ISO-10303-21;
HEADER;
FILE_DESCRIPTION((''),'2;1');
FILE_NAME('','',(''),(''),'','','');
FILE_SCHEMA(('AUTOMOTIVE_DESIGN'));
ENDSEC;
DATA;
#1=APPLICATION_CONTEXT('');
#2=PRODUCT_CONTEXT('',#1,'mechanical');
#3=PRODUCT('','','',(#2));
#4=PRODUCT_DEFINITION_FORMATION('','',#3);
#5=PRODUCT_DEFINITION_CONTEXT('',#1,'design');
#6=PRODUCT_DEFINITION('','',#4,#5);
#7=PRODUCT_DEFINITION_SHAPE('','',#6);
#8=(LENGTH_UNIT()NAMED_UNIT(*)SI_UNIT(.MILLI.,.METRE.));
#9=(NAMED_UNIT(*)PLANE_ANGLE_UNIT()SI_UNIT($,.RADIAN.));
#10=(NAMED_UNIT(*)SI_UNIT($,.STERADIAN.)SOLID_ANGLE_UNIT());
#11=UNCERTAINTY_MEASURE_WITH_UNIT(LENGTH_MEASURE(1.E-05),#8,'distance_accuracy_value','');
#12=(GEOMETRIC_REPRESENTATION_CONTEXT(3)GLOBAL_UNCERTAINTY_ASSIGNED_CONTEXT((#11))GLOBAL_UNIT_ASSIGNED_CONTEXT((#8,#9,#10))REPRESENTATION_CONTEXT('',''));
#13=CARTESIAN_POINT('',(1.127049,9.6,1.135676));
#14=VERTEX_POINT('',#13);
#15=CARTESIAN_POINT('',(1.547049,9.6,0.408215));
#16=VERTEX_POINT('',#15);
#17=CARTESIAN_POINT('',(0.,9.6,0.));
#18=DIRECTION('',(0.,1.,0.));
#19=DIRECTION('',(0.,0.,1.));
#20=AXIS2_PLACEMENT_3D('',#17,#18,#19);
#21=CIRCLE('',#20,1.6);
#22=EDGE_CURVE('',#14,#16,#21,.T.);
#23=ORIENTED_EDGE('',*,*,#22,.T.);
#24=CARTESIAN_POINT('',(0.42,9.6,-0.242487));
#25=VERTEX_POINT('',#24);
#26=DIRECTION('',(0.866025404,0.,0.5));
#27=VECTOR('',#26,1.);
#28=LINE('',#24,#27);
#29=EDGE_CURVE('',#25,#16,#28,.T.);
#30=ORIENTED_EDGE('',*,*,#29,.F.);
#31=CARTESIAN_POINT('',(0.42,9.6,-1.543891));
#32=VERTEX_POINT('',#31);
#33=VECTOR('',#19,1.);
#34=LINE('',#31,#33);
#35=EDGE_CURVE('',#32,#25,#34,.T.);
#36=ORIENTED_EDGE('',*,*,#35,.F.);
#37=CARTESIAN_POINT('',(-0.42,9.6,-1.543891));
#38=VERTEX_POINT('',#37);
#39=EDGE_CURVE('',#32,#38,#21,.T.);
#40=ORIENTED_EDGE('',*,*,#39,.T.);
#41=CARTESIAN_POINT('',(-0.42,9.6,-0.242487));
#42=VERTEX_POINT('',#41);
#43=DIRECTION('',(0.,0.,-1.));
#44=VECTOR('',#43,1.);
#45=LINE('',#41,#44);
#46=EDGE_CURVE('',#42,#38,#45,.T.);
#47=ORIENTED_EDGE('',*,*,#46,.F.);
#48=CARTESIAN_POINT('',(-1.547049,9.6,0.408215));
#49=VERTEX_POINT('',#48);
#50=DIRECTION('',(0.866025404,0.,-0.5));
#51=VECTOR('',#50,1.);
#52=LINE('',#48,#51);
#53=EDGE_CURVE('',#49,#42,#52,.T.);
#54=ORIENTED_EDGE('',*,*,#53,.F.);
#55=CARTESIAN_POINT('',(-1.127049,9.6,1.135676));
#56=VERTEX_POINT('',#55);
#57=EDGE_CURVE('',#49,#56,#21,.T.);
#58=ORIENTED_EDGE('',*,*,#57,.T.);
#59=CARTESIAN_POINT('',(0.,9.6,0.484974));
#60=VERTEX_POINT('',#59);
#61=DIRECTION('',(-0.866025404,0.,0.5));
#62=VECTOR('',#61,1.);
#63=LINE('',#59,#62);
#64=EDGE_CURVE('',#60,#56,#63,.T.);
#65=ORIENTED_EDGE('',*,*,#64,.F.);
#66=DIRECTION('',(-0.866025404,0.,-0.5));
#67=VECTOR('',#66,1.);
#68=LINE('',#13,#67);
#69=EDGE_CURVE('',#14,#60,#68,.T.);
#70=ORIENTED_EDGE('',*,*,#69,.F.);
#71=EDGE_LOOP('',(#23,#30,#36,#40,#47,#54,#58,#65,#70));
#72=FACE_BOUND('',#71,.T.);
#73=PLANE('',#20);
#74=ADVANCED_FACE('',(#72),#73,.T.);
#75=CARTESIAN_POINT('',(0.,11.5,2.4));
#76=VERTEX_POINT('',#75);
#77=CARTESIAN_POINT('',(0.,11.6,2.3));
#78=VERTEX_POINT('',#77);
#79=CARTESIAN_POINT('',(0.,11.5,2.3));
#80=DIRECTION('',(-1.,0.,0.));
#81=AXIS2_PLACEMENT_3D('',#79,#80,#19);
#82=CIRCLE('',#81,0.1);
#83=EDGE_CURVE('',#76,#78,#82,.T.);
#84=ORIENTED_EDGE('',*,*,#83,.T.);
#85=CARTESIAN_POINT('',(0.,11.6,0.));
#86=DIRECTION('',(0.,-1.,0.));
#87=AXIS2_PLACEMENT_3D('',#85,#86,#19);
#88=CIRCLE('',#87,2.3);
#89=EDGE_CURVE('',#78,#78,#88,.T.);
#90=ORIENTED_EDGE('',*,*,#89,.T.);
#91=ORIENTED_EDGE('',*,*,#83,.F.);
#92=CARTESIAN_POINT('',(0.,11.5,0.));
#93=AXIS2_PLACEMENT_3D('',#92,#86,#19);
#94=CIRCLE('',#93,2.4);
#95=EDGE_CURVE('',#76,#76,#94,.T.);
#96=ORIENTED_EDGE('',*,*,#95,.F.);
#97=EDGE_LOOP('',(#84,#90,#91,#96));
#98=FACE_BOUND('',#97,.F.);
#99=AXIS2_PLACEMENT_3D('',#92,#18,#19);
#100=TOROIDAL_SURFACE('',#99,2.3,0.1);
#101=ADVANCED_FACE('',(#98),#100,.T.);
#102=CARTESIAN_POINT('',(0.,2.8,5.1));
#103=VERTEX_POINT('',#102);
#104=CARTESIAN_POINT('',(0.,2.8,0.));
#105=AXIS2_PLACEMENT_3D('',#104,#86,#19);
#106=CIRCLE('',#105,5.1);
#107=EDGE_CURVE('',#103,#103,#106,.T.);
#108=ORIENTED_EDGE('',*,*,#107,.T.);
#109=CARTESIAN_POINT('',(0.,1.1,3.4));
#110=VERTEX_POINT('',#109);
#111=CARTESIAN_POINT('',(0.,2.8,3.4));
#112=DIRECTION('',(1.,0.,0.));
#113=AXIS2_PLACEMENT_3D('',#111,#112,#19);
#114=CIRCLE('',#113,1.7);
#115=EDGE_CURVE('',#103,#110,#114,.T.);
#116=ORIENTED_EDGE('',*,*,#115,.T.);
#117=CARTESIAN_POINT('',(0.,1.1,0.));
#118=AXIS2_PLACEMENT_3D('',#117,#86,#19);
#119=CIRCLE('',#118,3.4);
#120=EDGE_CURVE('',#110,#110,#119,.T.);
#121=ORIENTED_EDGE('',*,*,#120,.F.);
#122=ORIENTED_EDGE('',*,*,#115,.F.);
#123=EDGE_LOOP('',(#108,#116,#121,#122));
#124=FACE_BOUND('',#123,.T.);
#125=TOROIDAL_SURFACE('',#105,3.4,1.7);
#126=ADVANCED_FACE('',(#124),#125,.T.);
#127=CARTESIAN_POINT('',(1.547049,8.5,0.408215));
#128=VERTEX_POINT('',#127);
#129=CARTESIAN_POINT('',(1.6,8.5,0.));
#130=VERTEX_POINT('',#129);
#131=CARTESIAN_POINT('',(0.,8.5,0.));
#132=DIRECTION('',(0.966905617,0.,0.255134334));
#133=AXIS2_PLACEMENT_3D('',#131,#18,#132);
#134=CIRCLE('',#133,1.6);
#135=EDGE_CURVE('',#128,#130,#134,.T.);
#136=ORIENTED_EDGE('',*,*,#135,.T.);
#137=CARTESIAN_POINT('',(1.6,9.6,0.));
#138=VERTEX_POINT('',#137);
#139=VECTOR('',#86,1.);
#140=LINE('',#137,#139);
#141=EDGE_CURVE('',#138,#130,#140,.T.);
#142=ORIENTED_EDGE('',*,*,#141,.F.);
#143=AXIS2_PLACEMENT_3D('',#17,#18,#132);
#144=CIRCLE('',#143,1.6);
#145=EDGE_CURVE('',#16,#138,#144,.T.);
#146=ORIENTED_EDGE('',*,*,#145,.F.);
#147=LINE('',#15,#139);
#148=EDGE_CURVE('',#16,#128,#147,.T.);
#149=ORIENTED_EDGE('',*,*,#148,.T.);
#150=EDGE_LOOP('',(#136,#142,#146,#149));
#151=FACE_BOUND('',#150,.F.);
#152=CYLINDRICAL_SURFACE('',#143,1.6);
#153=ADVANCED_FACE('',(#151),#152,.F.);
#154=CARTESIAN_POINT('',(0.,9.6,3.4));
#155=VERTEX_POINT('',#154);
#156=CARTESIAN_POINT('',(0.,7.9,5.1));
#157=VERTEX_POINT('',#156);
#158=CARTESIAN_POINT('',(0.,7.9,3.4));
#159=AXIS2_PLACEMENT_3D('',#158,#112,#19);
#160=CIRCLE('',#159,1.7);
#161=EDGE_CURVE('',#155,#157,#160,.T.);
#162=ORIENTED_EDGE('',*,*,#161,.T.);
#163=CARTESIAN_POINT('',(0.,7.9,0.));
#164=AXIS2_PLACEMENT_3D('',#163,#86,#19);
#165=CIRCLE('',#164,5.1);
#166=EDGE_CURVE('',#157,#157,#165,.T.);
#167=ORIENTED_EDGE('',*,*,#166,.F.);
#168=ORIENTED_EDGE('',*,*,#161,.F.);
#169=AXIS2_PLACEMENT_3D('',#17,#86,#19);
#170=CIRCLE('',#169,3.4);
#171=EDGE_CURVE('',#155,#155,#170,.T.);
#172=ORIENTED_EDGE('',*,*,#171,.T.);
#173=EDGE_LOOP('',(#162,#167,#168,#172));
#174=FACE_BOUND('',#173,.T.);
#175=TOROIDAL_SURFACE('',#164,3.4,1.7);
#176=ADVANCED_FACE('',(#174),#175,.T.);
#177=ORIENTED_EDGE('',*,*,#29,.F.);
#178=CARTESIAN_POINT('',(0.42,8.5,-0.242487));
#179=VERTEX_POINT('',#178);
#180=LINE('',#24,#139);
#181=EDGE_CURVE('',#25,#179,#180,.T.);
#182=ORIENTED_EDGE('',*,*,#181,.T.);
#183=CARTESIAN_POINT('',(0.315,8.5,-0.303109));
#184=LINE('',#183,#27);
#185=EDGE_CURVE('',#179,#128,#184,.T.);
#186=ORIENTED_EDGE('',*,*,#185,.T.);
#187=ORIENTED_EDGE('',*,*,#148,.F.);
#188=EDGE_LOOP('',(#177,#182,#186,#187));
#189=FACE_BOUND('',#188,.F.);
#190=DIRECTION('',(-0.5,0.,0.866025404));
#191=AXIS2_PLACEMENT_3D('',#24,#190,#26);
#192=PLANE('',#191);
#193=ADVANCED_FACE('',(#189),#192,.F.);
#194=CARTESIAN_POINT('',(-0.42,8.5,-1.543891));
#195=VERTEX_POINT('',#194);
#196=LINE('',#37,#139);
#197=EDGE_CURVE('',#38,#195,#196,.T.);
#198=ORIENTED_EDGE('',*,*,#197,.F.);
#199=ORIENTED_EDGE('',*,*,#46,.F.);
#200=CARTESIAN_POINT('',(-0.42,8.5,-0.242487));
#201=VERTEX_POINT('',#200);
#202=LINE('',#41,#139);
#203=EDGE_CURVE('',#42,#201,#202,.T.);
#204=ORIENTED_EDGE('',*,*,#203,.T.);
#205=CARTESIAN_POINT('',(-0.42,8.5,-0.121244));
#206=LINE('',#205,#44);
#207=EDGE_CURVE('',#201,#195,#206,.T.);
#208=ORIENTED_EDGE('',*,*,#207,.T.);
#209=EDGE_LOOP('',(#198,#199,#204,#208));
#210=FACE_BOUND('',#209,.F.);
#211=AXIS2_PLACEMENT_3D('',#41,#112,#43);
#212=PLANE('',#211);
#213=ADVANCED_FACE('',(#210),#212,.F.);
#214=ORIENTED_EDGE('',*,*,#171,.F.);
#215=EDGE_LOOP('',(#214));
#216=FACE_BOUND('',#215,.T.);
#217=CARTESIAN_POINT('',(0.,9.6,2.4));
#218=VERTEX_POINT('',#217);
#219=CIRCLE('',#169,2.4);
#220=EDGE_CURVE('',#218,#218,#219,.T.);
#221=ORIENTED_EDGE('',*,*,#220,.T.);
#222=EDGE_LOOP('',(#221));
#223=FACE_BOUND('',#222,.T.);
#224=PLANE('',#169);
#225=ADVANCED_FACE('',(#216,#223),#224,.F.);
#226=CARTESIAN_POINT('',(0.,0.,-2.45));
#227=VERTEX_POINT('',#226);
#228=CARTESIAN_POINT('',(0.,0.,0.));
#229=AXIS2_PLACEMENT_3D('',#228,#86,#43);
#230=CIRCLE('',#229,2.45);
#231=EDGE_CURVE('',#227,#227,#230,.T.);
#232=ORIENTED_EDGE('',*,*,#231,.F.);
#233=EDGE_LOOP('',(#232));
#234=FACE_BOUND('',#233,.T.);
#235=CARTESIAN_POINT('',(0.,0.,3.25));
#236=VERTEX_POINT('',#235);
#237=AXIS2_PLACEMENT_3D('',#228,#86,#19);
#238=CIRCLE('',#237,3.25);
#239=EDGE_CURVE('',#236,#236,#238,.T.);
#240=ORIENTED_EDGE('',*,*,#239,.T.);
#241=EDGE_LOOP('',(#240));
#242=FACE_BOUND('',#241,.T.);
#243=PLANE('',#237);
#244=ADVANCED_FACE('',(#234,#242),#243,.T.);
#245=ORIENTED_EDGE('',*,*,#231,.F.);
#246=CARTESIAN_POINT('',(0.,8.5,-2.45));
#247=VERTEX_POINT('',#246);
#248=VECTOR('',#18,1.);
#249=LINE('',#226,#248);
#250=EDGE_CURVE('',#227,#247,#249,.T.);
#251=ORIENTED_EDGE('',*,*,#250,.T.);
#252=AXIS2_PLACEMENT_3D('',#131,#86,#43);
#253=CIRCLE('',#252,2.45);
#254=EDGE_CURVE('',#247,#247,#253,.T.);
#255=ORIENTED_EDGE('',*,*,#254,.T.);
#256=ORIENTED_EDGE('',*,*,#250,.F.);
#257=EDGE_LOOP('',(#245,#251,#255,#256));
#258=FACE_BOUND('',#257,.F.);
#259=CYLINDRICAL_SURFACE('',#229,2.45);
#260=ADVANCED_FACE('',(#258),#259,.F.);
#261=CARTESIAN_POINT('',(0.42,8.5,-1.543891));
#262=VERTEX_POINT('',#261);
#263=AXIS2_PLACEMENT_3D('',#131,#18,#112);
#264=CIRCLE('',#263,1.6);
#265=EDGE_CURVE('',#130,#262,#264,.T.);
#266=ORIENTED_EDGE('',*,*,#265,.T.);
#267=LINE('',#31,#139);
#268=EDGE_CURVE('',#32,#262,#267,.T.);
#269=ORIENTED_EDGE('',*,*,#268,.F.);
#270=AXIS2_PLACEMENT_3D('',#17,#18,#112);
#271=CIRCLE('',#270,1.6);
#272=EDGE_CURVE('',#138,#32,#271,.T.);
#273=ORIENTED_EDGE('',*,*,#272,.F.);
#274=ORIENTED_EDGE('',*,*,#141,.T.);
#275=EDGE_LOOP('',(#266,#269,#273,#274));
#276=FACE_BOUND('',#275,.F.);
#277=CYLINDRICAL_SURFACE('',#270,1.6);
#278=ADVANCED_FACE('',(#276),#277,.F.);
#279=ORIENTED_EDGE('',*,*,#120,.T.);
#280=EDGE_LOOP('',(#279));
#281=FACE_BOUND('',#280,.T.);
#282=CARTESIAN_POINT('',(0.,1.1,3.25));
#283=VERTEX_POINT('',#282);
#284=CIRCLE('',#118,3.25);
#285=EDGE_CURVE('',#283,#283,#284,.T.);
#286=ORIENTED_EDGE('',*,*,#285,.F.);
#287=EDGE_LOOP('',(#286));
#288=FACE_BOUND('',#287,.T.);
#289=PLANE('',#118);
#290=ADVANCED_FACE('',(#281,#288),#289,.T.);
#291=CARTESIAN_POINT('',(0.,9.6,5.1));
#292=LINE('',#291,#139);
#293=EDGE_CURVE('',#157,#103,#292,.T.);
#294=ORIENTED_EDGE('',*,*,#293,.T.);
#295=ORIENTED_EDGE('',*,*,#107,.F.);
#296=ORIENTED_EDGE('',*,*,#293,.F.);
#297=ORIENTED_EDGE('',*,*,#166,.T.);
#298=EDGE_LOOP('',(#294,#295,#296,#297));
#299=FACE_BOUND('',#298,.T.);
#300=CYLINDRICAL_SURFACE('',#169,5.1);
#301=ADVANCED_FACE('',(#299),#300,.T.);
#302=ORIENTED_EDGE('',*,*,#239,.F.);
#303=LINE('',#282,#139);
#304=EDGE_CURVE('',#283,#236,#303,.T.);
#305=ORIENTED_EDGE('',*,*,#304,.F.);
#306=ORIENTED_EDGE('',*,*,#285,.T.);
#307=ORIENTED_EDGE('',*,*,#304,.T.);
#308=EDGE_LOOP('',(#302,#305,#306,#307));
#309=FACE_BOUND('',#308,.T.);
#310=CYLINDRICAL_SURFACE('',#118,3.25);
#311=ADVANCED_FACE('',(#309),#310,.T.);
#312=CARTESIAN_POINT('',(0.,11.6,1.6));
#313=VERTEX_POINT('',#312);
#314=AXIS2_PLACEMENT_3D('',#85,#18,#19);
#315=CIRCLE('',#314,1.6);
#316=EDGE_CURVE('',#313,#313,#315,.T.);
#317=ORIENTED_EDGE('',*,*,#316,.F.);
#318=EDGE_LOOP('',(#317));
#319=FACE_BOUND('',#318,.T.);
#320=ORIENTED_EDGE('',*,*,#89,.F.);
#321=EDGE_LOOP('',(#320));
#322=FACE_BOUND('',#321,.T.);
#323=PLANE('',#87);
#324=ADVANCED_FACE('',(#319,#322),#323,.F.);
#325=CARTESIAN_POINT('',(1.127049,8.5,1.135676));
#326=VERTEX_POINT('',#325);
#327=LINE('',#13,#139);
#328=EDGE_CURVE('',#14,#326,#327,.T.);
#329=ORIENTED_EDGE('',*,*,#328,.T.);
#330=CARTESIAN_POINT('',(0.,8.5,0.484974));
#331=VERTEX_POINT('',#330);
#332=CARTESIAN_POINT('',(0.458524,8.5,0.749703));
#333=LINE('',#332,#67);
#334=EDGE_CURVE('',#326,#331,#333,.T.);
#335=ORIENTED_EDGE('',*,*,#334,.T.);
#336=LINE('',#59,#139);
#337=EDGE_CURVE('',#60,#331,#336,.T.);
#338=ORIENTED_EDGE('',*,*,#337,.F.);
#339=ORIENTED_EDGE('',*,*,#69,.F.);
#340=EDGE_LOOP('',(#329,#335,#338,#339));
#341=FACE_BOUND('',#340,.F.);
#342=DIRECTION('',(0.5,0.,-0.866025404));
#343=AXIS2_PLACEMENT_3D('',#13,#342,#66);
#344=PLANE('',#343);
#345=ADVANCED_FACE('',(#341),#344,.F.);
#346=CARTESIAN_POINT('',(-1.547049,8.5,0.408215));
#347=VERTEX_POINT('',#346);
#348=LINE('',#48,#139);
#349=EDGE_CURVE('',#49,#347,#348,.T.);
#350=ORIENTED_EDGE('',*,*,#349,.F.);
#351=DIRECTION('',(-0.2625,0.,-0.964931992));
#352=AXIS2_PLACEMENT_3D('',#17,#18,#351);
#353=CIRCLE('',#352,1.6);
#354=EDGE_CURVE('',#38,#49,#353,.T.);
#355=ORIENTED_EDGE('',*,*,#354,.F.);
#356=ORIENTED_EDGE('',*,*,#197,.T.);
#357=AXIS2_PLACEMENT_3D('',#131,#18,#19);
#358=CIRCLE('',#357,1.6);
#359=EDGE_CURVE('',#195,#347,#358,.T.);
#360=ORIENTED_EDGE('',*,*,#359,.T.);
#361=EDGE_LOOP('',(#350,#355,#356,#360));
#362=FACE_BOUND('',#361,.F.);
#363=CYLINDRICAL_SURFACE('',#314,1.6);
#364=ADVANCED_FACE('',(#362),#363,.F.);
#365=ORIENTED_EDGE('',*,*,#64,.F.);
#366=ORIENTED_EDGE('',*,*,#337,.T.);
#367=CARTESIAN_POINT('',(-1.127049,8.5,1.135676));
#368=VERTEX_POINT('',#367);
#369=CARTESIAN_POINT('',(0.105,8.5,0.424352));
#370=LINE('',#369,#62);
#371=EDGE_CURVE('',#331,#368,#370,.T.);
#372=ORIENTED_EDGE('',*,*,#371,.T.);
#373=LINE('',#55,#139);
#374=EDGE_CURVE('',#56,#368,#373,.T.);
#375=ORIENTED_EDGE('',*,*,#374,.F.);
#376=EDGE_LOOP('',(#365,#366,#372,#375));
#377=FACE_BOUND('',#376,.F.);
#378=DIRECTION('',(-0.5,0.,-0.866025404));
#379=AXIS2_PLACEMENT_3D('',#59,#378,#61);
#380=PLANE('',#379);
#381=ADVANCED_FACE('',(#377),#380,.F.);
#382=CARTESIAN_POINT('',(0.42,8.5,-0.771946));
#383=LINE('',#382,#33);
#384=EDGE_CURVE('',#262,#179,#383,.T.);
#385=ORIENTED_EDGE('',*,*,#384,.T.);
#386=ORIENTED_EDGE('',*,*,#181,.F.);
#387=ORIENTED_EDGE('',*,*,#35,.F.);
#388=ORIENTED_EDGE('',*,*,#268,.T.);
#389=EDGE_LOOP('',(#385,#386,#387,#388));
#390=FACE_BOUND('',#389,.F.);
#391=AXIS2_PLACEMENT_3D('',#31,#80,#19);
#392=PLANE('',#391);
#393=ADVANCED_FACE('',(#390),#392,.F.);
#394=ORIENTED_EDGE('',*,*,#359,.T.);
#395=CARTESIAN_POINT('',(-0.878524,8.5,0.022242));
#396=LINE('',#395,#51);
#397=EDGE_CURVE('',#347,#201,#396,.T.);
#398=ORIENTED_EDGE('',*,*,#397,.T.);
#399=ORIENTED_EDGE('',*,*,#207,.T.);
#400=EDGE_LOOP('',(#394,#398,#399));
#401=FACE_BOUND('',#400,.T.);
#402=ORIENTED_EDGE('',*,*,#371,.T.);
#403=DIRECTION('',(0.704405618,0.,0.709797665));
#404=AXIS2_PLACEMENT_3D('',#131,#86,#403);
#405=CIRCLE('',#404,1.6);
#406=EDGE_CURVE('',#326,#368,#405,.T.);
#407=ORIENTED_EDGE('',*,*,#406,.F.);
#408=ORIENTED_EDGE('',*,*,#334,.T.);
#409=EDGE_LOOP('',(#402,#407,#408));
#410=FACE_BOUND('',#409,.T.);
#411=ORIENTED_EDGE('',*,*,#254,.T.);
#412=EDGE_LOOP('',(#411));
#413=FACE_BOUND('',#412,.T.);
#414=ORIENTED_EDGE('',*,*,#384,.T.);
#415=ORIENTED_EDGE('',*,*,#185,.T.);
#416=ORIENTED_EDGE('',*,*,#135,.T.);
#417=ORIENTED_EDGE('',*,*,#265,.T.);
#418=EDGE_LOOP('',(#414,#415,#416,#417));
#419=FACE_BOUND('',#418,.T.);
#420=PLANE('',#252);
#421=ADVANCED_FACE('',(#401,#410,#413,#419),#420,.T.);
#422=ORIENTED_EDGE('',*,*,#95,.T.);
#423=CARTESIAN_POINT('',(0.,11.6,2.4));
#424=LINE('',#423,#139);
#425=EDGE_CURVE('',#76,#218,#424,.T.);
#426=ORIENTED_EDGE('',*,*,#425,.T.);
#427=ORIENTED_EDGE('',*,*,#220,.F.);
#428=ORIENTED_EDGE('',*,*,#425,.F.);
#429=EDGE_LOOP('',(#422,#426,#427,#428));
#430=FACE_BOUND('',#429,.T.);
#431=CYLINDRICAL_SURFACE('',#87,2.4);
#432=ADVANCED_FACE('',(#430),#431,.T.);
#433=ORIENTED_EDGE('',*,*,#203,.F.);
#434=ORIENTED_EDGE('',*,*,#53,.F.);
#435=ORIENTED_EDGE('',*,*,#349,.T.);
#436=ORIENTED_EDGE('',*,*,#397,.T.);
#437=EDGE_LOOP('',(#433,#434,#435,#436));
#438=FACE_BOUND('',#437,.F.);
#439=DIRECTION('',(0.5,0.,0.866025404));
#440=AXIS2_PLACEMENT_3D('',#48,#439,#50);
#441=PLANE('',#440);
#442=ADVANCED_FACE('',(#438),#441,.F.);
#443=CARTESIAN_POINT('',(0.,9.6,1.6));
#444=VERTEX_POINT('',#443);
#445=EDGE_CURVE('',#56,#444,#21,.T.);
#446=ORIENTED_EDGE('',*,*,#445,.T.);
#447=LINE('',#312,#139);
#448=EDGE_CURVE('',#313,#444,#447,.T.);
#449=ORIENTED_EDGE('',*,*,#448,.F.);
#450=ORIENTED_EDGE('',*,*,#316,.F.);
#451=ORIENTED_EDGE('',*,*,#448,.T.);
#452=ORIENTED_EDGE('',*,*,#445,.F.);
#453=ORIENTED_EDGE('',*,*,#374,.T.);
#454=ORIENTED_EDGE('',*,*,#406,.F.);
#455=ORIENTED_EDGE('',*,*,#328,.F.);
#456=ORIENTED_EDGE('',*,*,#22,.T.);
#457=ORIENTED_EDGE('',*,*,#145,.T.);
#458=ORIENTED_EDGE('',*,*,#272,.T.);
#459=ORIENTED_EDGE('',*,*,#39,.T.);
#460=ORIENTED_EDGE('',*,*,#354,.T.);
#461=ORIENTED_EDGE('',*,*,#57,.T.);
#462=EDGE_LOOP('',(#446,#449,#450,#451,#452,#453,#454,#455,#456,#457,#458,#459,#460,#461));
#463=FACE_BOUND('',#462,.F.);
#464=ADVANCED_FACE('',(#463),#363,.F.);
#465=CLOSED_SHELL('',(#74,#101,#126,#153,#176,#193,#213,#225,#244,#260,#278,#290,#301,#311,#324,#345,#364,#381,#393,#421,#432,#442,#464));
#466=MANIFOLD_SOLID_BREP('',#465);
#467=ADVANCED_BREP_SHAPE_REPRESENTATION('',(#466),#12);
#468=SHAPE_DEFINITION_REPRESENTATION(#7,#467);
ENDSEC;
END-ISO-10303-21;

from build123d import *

# Parameters (mm, degrees)
FILLET1_R          = 1.7
SKETCH2_R          = 1.6
CUT_EXTRUDE1_DEPTH = 2
CUT_EXTRUDE2_DEPTH = 13.0074977
SKETCH4_R          = 2.45
CUT_EXTRUDE3_DEPTH = 8.5
FILLET2_R          = 0.1


with BuildPart() as part:
    # Sketch1 → Revolve1 (revolve)
    with BuildSketch(Plane.XY, mode=Mode.PRIVATE) as revolve1_sk:
        Polygon((0, 11.6), (2.4, 11.6), (2.4, 9.6), (5.1, 9.6), (5.1, 1.1), (3.25, 1.1), (3.25, 0), (0, 0), align=None)
    revolve(revolve1_sk.sketch.rotate(Axis((0, 161.315789474, 0), (0, -1, 0)), 90), axis=Axis((0, 161.315789474, 0), (0, -1, 0)))

    # Fillet1
    fillet1_edges = [part.edges().sort_by_distance(p)[0] for p in [
        (0, 1.1, -5.1),
        (0, 9.6, -5.1),
    ]]
    fillet(fillet1_edges, radius=FILLET1_R)

    # Sketch2 → Cut-Extrude1 (cut)
    with BuildSketch(Plane(origin=(0, 11.6, 0), x_dir=(1, 0, 0), z_dir=(0, 1, 0))):
        with Locations(Location((0, 0, 0), (0, 0, 270))):
            Circle(SKETCH2_R)
    extrude(amount=-CUT_EXTRUDE1_DEPTH, mode=Mode.SUBTRACT)

    # Sketch3 → Cut-Extrude2 (cut, through all)
    with BuildSketch(Plane(origin=(0, 9.6, 0), x_dir=(1, 0, 0), z_dir=(0, 1, 0))):
        with BuildLine():
            Line((-0.42, 0.242487113), (-0.42, 1.543891188))
            ThreePointArc((-0.42, 1.543891188), (-1.385640646, 0.8), (-1.547048989, -0.408214924))
            Line((-1.547048989, -0.408214924), (-0.42, 0.242487113))
        make_face()
        with BuildLine():
            ThreePointArc((1.6, 0), (1.271219887, 0.971596624), (0.42, 1.543891188))
            Line((0.42, 1.543891188), (0.42, 0.242487113))
            Line((0.42, 0.242487113), (1.547048989, -0.408214924))
            ThreePointArc((1.547048989, -0.408214924), (1.586707028, -0.205817415), (1.6, 0))
        make_face()
        with BuildLine():
            Line((0, -0.484974226), (-1.127048989, -1.135676264))
            ThreePointArc((-1.127048989, -1.135676264), (0, -1.6), (1.127048989, -1.135676264))
            Line((1.127048989, -1.135676264), (0, -0.484974226))
        make_face()
    extrude(amount=-CUT_EXTRUDE2_DEPTH, mode=Mode.SUBTRACT)

    # Sketch4 → Cut-Extrude3 (cut)
    with BuildSketch(Plane.XZ):
        with Locations(Location((0, 0, 0), (0, 0, 270))):
            Circle(SKETCH4_R)
    extrude(amount=-CUT_EXTRUDE3_DEPTH, mode=Mode.SUBTRACT)

    # Fillet2
    fillet2_edges = [part.edges().sort_by_distance(p)[0] for p in [
        (0, 11.6, -2.4),
    ]]
    fillet(fillet2_edges, radius=FILLET2_R)


solid = part.part
